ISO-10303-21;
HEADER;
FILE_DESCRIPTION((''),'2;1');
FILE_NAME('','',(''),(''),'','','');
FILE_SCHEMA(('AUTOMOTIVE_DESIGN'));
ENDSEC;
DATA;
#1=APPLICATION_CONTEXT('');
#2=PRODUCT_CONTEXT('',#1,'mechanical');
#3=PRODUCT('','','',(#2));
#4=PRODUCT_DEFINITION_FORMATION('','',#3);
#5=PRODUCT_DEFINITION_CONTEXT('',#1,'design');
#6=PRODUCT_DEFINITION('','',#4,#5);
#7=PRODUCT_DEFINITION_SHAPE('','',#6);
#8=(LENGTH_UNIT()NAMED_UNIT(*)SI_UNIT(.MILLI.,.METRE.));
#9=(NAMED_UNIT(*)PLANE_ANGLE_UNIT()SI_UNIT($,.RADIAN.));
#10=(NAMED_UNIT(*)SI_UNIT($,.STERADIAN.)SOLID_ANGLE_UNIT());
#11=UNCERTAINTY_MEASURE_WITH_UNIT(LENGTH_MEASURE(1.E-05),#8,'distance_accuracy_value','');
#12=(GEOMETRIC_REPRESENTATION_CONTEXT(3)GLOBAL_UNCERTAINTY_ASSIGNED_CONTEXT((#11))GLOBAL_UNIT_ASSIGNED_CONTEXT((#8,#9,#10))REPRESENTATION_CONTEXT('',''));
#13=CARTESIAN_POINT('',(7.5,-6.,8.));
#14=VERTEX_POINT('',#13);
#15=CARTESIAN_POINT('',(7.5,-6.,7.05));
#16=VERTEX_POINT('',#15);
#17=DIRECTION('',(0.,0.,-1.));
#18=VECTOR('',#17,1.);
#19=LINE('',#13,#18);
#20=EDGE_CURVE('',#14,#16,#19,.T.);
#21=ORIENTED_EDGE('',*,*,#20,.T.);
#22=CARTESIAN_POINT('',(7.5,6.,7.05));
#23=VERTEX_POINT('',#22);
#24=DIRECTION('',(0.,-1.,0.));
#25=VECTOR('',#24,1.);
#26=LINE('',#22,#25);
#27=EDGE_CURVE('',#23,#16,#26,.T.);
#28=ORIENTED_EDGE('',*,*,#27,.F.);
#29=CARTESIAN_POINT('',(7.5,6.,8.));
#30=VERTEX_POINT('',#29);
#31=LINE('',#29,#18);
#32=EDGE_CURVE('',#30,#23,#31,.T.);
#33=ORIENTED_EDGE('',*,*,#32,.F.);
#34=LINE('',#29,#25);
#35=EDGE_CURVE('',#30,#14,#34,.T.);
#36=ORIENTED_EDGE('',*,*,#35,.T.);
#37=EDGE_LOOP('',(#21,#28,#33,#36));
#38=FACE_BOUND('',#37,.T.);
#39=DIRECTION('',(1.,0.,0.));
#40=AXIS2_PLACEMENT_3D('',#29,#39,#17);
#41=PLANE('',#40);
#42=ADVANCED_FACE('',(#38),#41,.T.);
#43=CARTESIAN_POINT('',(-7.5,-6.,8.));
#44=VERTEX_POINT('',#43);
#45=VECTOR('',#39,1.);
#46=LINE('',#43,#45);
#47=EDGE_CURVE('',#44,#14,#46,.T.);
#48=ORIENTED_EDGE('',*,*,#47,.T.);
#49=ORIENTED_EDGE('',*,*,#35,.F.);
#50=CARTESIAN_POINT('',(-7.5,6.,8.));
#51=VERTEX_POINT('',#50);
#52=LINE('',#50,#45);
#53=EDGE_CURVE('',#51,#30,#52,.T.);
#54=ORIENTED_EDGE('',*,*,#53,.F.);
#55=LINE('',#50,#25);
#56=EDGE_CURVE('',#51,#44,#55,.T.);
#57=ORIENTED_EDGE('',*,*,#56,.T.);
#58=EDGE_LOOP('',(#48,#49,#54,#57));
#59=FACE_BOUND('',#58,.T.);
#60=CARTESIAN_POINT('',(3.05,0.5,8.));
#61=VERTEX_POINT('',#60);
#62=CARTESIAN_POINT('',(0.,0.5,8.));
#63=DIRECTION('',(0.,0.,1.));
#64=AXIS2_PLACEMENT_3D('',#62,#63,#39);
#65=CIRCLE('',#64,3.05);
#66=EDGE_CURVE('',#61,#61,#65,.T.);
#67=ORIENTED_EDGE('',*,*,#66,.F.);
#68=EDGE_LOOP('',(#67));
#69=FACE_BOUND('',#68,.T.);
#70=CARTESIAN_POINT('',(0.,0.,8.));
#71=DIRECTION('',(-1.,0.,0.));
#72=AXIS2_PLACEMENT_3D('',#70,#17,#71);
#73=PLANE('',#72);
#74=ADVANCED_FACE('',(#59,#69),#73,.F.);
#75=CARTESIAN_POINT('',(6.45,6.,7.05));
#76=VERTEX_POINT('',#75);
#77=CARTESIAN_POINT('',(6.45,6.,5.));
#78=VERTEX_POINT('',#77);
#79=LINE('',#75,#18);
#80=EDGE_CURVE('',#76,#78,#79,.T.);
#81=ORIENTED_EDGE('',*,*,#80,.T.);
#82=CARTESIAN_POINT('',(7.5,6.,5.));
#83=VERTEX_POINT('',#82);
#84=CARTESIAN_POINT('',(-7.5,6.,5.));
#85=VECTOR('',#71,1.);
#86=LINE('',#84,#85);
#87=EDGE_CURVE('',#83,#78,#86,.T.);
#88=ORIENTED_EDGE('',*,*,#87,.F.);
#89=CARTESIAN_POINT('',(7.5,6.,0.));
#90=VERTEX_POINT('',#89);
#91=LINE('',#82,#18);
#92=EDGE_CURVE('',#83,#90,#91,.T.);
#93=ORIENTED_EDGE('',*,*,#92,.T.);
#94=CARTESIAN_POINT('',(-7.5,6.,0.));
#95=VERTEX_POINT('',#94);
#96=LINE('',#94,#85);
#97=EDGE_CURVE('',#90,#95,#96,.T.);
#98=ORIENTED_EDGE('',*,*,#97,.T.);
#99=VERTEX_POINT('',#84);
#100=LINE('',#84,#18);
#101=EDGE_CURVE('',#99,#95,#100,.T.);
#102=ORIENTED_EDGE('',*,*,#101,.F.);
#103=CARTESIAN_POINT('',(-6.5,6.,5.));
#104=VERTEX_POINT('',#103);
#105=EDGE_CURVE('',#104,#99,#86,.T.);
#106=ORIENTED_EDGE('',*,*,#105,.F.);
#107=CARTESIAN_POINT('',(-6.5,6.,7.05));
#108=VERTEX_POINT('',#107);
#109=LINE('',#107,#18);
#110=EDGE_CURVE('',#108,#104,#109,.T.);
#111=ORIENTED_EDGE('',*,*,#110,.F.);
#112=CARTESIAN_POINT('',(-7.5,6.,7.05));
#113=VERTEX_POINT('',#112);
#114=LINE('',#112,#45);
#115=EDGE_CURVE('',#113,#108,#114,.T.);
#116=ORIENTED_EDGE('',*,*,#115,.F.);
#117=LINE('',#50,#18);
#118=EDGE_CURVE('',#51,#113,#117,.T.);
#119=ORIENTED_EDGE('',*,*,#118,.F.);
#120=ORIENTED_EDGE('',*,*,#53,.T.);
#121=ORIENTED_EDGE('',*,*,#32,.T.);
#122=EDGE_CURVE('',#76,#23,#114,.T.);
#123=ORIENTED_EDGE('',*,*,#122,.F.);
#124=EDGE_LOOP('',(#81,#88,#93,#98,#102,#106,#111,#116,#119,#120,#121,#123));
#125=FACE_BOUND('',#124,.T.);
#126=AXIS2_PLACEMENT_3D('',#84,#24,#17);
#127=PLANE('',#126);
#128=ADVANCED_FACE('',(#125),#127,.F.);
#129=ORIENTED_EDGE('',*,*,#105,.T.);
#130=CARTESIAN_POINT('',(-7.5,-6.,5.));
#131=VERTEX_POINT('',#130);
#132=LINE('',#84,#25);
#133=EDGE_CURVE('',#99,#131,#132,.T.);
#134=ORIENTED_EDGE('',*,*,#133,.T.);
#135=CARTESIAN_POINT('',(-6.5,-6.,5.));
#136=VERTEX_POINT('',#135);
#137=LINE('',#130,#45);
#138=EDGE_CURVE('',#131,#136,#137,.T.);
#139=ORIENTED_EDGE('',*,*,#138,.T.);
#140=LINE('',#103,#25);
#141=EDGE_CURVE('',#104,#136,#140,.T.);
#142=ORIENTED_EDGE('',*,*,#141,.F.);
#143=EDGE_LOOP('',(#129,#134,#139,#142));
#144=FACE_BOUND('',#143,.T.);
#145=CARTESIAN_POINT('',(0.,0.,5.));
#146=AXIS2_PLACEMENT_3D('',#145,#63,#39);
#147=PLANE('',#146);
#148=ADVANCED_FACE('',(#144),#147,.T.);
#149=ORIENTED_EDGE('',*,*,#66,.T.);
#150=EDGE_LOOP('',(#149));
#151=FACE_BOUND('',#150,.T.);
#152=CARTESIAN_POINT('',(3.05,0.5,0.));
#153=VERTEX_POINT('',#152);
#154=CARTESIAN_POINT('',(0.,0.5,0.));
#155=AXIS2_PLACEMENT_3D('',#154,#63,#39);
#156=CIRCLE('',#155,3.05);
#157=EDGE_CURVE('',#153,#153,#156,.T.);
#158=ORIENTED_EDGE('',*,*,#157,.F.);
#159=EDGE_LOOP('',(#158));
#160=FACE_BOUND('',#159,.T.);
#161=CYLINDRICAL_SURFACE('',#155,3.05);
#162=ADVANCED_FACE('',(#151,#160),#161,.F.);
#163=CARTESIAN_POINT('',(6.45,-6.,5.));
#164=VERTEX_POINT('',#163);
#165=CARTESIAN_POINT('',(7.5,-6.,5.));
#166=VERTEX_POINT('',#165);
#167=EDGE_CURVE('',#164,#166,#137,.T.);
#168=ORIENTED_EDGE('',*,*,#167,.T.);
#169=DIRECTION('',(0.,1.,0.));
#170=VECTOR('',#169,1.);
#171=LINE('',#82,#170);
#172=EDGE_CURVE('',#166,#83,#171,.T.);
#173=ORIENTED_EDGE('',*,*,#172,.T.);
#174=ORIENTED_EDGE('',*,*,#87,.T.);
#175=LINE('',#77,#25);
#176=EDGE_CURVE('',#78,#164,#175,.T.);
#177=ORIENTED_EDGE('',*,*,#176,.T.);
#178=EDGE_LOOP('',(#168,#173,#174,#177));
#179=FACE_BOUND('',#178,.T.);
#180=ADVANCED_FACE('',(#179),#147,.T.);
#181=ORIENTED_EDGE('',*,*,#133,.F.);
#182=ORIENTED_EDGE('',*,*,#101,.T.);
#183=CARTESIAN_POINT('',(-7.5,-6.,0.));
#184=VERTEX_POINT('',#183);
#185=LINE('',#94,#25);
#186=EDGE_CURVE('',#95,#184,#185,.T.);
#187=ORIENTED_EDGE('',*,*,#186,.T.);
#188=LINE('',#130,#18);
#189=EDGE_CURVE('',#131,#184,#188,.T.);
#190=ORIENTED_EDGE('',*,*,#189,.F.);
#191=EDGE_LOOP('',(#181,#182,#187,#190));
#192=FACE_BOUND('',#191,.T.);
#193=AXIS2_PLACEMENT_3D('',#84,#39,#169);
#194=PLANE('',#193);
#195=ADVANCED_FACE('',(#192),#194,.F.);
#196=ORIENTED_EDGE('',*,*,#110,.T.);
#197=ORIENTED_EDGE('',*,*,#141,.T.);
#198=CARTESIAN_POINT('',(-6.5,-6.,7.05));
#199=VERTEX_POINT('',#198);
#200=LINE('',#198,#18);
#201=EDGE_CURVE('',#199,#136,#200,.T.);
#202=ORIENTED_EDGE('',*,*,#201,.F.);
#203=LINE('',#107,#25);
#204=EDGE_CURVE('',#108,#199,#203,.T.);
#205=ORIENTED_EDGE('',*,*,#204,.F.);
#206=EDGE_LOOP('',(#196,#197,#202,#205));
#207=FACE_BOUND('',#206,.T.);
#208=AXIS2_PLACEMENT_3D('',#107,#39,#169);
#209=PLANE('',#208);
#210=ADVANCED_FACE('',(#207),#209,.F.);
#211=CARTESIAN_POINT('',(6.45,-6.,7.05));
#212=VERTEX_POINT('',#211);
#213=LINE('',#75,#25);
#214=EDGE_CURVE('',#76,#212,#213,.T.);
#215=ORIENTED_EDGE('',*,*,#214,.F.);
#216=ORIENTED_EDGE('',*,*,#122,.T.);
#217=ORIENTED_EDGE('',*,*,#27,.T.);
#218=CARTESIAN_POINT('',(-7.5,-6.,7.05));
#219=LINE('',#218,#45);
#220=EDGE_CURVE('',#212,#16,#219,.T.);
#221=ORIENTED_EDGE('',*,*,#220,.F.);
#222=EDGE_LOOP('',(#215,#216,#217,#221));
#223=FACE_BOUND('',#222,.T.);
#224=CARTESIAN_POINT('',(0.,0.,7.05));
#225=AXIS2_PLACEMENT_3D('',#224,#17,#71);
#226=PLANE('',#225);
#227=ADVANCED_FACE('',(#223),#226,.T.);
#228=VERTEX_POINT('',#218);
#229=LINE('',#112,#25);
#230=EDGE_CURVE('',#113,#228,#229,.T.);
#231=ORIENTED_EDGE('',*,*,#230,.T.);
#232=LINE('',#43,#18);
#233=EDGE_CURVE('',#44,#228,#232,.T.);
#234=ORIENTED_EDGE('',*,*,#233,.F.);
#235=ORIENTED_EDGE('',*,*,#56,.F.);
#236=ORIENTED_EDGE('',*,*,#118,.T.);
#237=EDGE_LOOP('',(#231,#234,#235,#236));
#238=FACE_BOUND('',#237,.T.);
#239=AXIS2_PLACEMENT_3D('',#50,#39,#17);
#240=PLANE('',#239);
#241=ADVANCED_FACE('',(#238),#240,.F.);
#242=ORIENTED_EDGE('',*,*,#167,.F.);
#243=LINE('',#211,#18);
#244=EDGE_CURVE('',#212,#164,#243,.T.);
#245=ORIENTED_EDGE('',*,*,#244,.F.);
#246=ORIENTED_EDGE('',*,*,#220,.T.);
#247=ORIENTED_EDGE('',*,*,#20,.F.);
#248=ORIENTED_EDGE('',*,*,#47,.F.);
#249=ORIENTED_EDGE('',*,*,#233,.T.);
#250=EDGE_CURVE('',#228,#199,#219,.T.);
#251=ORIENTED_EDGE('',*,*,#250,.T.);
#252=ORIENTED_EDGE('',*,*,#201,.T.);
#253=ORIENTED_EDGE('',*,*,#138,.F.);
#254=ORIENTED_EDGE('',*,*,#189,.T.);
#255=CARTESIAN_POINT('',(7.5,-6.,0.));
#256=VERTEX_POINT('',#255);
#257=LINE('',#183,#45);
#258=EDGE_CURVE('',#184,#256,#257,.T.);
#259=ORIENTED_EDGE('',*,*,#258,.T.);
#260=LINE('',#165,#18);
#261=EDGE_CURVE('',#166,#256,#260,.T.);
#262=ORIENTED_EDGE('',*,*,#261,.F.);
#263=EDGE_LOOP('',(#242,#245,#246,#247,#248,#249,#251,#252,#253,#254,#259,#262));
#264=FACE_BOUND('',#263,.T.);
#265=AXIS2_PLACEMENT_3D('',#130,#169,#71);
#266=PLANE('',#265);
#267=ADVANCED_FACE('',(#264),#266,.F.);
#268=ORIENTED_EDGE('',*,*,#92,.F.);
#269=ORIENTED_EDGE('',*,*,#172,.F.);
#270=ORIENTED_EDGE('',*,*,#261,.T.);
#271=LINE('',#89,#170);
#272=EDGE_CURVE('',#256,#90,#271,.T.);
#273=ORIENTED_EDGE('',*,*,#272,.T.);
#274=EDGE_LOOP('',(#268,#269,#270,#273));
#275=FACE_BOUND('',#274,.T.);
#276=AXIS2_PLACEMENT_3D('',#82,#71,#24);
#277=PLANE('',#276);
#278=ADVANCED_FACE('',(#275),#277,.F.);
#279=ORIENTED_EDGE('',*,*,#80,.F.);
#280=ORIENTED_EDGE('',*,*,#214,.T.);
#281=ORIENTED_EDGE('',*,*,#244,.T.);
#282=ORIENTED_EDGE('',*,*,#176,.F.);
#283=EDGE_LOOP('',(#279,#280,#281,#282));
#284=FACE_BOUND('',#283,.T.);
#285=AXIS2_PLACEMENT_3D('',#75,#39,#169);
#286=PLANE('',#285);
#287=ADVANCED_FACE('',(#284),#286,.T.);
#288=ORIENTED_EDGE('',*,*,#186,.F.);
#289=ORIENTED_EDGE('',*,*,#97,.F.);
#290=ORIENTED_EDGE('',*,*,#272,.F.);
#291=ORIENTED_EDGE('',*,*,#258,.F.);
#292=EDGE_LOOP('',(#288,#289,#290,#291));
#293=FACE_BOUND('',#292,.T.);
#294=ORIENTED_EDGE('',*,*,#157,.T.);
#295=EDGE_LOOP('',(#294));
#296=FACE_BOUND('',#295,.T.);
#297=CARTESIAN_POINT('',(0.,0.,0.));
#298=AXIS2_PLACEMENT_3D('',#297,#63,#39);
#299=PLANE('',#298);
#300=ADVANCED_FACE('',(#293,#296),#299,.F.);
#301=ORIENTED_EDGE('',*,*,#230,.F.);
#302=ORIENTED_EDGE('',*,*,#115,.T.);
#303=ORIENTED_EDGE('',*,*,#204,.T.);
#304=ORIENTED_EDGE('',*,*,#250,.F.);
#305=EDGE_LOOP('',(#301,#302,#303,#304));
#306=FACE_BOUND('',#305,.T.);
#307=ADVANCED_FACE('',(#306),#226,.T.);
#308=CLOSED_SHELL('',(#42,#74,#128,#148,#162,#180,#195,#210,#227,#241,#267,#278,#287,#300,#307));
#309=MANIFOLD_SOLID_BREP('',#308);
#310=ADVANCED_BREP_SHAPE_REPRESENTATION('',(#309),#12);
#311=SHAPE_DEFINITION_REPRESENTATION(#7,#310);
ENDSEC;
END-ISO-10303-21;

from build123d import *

# Parameters (mm, degrees)
ESQUISSE1_W             = 15
ESQUISSE1_H             = 12
BOSS_EXTRU_1_DEPTH      = 5
ESQUISSE2_W             = 12.95
ESQUISSE2_H             = 12
BOSS_EXTRU_2_DEPTH      = 2.05
ESQUISSE3_W             = 15
ESQUISSE3_H             = 12
BOSS_EXTRU_3_DEPTH      = 0.95
ESQUISSE4_R             = 3.05
ENL_V_MAT_EXTRU_1_DEPTH = 8


with BuildPart() as part:
    # Esquisse1 → Boss.-Extru.1 (new body)
    with BuildSketch(Plane.XY):
        Rectangle(ESQUISSE1_W, ESQUISSE1_H)
    extrude(amount=BOSS_EXTRU_1_DEPTH)

    # Esquisse2 → Boss.-Extru.2 (add)
    with BuildSketch(Plane.XY.offset(5)):
        with Locations((-0.025, 0)):
            Rectangle(ESQUISSE2_W, ESQUISSE2_H)
    extrude(amount=BOSS_EXTRU_2_DEPTH)

    # Esquisse3 → Boss.-Extru.3 (add)
    with BuildSketch(Plane.XY.offset(7.05)):
        Rectangle(ESQUISSE3_W, ESQUISSE3_H)
    extrude(amount=BOSS_EXTRU_3_DEPTH)

    # Esquisse4 → Enlèv. mat.-Extru.1 (cut)
    with BuildSketch(Plane.XY.offset(8)):
        with Locations((0, 0.5)):
            Circle(ESQUISSE4_R)
    extrude(amount=-ENL_V_MAT_EXTRU_1_DEPTH, mode=Mode.SUBTRACT)


solid = part.part
